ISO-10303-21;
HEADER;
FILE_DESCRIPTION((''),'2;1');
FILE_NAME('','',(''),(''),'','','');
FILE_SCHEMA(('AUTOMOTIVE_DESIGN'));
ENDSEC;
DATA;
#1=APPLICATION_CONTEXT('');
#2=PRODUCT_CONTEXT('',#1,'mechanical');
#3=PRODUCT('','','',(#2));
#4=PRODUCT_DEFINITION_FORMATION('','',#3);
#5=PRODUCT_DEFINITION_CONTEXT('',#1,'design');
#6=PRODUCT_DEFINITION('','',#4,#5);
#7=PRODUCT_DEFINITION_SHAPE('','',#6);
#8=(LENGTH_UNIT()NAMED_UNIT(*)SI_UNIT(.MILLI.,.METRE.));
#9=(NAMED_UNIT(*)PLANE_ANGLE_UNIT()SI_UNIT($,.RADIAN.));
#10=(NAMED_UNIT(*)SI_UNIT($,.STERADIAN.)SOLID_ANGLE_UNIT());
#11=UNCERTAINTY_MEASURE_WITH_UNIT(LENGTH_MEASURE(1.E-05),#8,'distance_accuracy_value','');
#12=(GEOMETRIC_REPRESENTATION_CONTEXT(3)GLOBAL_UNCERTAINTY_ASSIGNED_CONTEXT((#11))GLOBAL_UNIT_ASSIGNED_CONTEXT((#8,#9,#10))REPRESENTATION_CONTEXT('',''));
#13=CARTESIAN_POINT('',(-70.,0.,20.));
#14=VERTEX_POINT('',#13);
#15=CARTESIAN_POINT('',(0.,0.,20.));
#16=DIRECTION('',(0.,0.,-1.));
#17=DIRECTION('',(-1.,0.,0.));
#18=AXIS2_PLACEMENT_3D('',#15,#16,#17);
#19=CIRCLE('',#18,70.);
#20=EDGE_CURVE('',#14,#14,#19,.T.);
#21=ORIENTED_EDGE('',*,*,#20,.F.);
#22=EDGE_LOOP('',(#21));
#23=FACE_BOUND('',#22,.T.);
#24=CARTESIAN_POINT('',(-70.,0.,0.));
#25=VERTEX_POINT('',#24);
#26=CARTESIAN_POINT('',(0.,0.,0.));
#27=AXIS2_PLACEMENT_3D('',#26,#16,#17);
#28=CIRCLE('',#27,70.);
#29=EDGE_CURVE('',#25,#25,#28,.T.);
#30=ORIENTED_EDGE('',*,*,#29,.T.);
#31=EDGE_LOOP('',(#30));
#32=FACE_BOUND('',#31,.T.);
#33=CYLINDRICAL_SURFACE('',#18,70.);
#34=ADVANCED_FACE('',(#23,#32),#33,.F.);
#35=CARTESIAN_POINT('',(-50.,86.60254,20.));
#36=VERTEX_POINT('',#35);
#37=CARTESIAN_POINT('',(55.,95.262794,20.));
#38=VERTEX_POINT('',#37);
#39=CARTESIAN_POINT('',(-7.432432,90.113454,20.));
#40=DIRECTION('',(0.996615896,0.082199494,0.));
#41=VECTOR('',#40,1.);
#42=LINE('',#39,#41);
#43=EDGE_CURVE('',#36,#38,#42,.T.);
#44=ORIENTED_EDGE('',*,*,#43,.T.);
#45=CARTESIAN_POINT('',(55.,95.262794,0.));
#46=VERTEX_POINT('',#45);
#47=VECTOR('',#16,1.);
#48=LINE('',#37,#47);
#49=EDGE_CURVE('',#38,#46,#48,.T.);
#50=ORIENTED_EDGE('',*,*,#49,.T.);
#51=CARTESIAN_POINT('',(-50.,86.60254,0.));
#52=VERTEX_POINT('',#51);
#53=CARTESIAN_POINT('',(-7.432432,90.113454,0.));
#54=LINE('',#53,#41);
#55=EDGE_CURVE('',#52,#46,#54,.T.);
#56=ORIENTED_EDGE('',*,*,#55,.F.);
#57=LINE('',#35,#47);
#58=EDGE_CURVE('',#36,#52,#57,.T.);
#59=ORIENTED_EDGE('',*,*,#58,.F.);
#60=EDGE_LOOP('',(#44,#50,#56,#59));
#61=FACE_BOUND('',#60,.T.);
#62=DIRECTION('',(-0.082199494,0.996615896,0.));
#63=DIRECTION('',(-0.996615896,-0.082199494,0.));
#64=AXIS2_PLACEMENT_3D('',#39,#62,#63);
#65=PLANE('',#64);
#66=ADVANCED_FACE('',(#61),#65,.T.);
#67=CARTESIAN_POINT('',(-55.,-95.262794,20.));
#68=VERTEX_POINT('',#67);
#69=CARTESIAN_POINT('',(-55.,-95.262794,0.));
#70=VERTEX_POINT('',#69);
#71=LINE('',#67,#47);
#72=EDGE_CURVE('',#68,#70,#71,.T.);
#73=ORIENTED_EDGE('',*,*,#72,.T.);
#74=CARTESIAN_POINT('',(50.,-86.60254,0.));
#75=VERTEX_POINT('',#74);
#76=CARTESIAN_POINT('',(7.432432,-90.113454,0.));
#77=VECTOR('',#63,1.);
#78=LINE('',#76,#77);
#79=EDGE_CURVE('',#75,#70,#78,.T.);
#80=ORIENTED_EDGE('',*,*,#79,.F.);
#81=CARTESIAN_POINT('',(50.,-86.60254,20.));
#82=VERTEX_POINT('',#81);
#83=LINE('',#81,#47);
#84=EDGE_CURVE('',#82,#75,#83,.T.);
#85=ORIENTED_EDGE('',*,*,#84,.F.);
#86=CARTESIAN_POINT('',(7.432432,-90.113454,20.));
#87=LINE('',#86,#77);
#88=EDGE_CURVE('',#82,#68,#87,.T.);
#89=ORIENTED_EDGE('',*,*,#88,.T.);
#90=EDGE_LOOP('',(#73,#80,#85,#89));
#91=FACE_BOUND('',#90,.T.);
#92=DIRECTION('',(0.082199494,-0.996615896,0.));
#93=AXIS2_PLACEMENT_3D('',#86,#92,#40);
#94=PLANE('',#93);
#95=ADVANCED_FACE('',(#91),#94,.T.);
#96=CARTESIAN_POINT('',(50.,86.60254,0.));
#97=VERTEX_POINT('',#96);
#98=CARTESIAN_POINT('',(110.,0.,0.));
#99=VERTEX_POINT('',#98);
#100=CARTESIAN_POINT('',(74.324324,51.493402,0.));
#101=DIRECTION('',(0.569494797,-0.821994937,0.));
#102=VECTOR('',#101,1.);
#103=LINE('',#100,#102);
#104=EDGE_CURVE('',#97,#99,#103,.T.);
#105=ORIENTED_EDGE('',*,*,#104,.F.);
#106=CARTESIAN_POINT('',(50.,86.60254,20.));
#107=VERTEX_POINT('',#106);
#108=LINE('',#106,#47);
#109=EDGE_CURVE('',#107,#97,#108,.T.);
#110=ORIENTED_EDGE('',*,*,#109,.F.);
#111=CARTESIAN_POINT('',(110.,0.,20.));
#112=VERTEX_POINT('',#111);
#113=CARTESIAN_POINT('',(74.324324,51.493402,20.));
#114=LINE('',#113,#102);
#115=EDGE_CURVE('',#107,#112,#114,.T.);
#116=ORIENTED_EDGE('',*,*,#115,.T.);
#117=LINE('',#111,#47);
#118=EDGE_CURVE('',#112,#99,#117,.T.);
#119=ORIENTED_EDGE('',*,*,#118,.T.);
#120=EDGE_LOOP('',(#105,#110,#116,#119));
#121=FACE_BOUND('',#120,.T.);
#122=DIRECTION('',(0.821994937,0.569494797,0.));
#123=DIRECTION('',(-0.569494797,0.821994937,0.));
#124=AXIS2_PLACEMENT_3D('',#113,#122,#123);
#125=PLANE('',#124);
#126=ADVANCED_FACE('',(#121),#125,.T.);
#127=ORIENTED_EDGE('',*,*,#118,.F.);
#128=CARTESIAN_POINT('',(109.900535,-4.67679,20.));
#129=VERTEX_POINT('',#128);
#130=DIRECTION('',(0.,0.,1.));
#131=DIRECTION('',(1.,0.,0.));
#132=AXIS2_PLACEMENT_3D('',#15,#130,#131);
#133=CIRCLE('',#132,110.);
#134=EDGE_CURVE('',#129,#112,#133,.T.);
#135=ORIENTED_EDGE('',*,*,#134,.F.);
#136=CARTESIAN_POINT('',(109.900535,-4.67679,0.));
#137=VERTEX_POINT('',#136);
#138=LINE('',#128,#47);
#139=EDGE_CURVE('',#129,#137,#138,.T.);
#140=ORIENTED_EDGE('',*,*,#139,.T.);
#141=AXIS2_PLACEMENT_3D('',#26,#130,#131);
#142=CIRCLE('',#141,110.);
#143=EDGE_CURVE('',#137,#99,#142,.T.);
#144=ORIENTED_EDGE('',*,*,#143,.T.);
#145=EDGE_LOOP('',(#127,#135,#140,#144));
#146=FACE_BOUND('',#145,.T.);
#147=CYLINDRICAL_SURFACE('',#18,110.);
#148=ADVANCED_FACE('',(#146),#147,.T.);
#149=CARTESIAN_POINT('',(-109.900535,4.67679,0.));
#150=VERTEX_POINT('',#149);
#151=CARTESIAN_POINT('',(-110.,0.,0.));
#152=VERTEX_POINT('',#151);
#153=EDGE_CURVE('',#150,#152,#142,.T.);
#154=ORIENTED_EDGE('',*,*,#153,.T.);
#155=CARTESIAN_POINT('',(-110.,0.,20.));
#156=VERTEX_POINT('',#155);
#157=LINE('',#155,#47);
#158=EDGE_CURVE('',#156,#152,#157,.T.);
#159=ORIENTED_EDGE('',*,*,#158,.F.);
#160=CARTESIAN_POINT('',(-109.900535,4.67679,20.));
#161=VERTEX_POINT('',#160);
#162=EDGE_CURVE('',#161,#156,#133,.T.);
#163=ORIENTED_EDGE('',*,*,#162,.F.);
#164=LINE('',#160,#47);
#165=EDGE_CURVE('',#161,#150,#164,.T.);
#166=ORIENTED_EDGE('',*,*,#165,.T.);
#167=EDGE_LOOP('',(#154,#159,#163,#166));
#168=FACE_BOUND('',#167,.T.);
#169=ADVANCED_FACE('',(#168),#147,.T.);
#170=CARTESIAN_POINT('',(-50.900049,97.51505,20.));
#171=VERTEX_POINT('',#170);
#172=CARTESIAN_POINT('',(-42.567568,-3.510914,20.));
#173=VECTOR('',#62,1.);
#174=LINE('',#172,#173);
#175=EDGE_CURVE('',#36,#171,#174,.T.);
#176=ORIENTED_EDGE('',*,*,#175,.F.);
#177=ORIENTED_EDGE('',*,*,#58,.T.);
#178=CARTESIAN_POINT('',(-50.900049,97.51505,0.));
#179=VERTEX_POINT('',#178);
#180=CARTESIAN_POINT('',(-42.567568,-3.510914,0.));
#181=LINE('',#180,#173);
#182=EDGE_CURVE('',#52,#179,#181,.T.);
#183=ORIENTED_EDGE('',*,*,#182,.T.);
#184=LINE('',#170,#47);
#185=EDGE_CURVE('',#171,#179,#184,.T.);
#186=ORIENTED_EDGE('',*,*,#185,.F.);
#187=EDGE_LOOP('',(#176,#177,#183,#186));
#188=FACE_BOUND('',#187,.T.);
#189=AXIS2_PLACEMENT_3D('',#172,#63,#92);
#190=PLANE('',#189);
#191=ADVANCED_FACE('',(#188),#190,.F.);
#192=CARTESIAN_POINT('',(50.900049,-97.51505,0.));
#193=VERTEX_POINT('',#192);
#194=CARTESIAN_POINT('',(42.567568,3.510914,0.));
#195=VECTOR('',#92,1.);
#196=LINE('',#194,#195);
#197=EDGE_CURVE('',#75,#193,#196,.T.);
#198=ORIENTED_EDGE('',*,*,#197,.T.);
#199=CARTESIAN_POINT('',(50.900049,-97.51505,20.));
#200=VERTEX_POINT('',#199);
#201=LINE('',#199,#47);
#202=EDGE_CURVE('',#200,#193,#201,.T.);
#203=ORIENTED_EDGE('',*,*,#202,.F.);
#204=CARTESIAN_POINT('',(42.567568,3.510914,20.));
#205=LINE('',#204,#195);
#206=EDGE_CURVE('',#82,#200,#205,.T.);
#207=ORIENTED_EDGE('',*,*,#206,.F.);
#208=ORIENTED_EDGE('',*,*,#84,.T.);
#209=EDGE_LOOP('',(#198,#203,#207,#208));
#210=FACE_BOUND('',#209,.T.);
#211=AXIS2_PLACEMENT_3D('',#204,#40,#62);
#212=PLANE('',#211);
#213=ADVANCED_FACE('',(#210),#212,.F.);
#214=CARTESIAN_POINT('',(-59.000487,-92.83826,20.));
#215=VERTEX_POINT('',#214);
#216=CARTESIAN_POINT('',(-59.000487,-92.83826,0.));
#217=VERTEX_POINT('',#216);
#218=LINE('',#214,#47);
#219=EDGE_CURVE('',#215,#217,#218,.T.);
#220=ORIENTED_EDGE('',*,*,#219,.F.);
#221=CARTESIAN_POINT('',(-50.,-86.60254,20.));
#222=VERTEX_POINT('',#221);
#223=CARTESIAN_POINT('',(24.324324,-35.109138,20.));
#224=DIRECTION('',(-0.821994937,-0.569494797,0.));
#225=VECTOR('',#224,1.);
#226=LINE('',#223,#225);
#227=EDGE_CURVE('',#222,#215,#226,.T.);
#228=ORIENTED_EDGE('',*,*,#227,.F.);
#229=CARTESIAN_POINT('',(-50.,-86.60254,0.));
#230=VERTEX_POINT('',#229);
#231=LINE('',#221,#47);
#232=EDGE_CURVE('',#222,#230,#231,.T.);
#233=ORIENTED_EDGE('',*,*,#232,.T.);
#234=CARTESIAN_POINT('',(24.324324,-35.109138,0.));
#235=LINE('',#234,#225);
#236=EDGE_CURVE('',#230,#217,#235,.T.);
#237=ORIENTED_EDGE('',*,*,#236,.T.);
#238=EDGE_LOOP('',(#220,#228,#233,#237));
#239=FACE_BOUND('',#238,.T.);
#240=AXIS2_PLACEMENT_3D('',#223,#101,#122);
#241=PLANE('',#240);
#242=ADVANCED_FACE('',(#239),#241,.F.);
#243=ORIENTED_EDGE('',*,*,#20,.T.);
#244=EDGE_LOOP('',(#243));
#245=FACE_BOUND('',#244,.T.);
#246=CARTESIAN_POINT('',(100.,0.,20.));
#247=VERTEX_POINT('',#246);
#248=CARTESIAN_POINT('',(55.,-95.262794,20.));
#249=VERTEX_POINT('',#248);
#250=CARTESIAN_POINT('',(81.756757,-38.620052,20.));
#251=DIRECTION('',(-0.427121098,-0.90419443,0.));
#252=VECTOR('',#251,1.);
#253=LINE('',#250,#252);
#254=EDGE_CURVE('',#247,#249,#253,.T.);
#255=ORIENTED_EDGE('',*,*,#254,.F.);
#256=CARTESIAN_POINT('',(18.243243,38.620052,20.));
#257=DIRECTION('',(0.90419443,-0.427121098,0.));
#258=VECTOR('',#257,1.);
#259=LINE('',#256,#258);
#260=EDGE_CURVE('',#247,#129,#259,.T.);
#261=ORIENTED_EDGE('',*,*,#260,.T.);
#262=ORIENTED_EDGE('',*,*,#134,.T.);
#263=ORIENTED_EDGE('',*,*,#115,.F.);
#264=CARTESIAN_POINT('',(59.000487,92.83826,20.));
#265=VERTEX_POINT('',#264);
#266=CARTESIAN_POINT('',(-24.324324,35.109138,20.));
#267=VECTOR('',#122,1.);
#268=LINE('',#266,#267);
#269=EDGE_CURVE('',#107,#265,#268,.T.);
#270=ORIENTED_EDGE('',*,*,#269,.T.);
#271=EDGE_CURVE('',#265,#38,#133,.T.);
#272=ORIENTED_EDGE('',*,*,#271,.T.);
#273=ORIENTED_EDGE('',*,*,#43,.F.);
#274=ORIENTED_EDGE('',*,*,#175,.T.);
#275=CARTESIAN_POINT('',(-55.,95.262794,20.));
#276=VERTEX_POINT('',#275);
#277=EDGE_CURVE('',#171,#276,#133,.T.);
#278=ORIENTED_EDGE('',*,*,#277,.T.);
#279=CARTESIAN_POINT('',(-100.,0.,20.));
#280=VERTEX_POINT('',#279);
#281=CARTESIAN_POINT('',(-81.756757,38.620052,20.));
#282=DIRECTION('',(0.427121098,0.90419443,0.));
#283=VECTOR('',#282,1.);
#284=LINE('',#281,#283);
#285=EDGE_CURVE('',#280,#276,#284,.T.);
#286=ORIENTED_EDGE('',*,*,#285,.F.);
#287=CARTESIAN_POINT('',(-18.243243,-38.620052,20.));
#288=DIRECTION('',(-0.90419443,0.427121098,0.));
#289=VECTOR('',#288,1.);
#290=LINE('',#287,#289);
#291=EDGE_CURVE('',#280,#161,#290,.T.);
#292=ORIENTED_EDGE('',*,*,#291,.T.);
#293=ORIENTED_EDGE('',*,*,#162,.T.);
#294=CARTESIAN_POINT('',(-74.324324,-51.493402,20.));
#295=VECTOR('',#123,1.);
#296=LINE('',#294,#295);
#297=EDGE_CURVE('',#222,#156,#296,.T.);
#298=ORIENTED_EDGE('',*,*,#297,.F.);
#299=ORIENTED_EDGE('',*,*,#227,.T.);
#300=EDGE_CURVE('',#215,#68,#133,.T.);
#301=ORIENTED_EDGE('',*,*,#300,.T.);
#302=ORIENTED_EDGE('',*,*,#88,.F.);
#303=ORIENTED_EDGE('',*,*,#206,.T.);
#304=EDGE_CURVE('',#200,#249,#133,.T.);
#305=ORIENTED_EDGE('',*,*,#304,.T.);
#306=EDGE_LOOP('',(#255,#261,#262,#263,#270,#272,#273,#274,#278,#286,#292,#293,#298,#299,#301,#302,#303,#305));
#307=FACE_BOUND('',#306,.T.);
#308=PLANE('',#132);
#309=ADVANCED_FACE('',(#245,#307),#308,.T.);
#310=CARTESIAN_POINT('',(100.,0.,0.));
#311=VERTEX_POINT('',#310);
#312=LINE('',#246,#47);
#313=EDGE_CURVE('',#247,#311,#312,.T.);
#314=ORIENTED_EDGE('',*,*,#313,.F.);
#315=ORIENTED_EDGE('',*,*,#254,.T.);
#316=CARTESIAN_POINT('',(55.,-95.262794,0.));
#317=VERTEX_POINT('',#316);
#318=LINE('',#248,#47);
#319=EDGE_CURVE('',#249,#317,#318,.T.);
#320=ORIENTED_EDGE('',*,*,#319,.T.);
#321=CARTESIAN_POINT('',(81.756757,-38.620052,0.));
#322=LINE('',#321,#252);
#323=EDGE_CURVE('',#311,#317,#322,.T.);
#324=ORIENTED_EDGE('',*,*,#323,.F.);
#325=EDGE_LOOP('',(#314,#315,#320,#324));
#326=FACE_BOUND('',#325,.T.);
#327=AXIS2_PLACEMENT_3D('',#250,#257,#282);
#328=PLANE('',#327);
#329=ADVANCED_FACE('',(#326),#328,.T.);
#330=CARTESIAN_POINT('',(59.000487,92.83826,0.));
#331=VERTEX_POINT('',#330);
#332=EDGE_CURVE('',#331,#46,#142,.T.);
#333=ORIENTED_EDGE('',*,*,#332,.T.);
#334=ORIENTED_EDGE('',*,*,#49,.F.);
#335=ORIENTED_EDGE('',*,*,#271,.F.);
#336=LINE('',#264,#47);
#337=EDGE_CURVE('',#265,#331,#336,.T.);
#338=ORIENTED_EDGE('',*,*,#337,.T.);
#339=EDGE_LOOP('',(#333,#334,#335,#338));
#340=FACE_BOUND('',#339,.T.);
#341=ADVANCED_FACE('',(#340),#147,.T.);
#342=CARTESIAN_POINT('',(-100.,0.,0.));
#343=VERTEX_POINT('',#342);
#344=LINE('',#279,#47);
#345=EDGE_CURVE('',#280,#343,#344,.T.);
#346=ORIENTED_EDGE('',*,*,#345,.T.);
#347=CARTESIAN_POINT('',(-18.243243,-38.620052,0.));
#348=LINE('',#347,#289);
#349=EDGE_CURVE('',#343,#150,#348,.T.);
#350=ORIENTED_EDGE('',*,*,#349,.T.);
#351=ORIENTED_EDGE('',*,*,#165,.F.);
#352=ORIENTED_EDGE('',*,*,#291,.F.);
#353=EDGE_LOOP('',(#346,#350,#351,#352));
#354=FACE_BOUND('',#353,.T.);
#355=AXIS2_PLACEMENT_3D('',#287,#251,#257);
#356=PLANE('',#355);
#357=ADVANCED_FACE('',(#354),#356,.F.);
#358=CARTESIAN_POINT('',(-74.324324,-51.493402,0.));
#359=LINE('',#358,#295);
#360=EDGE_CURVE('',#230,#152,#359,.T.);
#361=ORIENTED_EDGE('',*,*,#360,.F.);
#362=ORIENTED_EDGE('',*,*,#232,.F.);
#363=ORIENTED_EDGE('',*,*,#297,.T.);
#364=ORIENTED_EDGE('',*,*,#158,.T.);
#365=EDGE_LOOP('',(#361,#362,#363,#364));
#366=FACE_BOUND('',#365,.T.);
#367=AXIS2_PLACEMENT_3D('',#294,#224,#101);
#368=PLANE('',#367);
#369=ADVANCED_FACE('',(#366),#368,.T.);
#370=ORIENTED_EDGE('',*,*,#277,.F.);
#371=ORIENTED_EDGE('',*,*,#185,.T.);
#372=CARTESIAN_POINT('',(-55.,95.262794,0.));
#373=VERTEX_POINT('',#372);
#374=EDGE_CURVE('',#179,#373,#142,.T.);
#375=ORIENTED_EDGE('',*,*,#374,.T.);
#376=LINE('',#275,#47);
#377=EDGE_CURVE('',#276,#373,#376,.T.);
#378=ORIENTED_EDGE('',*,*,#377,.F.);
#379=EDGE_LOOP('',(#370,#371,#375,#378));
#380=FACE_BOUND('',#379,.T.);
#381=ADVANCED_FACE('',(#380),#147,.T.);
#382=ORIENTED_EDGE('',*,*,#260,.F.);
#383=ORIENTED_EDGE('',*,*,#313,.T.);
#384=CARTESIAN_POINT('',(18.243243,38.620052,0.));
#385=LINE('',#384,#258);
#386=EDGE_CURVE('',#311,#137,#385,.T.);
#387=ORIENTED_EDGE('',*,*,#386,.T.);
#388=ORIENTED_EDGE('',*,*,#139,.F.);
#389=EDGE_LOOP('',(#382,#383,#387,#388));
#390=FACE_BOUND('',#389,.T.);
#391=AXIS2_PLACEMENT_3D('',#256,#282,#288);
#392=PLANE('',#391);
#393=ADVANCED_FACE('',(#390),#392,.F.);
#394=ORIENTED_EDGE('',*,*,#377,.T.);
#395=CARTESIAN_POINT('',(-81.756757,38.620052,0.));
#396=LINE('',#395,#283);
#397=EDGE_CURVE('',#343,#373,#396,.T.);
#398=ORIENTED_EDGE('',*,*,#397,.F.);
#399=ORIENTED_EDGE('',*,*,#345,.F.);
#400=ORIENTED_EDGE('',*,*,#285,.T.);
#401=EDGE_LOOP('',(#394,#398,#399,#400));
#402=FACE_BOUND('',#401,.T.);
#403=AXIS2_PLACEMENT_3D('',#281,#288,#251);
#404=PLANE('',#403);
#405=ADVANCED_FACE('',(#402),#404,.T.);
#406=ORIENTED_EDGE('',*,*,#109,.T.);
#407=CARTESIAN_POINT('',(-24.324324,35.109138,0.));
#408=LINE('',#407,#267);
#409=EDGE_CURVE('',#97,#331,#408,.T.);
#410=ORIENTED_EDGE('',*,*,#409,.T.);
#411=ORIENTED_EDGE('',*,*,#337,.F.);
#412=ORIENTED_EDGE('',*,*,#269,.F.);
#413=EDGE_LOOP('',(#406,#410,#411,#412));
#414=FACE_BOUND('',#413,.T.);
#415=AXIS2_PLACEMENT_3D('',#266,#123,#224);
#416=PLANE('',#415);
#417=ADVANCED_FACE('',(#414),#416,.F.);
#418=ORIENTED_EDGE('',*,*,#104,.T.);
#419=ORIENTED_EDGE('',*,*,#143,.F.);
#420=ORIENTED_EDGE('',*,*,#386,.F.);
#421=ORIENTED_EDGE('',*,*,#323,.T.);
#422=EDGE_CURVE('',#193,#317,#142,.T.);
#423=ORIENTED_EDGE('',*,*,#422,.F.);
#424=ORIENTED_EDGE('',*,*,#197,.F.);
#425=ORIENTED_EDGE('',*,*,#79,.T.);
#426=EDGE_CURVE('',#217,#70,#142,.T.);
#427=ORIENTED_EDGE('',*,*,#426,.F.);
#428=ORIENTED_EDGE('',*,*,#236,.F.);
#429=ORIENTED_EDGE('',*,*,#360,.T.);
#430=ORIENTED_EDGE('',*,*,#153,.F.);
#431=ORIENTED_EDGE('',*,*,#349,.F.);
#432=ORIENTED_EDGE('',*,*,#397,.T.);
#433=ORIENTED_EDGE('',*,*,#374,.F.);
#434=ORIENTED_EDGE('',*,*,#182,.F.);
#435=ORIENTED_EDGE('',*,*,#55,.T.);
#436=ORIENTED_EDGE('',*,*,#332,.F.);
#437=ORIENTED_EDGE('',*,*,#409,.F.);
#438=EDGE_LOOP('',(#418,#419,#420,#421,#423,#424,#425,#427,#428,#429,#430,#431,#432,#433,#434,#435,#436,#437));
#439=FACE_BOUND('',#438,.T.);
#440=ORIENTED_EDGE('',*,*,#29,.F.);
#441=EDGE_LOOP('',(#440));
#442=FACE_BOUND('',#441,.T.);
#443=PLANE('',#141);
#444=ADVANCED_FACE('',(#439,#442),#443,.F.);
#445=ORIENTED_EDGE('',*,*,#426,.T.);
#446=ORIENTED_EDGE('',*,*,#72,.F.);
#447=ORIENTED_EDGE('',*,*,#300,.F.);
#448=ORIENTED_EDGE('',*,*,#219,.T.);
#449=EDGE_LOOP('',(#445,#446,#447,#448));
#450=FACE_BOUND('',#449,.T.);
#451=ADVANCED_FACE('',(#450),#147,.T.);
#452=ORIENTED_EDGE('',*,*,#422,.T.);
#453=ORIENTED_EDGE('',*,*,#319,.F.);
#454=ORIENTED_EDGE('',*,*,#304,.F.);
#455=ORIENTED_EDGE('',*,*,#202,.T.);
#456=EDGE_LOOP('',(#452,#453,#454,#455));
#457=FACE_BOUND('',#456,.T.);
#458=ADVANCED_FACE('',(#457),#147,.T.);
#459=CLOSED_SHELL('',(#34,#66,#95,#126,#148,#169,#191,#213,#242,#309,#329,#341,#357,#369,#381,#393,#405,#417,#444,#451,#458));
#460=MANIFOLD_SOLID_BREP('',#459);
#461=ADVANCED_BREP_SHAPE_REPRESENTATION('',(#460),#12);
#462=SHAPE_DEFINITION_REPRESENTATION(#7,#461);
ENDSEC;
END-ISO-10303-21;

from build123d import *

# Parameters (mm, degrees)
BOSS_EXTRUDE1_DEPTH = 20
SKETCH7_R           = 70
CUT_EXTRUDE1_DEPTH  = 149.354929298


with BuildPart() as part:
    # Sketch4 → Boss-Extrude1 (new body)
    with BuildSketch(Plane.XY):
        Polygon((-50, -86.602540378), (50, -86.602540378), (100, 0), (50, 86.602540378), (-50, 86.602540378), (-100, 0), align=None)
        Polygon((-50, -86.602540378), (-110, 0), (-100, 0), align=None)
        Polygon((-100, 0), (-55, 95.262794416), (-50, 86.602540378), align=None)
        Polygon((-50, 86.602540378), (55, 95.262794416), (50, 86.602540378), align=None)
        Polygon((50, 86.602540378), (110, 0), (100, 0), align=None)
        Polygon((100, 0), (55, -95.262794416), (50, -86.602540378), align=None)
        Polygon((50, -86.602540378), (-55, -95.262794416), (-50, -86.602540378), align=None)
        with BuildLine():
            Line((-55, 95.262794416), (-50, 86.602540378))
            Line((-50, 86.602540378), (-50.900048654, 97.515050362))
            ThreePointArc((-50.900048654, 97.515050362), (-52.961998078, 96.410719111), (-55, 95.262794416))
        make_face()
        with BuildLine():
            Line((55, 95.262794416), (50, 86.602540378))
            Line((50, 86.602540378), (59.000486538, 92.838260369))
            ThreePointArc((59.000486538, 92.838260369), (57.013132909, 94.071795327), (55, 95.262794416))
        make_face()
        with BuildLine():
            Line((110, 0), (100, 0))
            Line((100, 0), (109.900535191, -4.676789993))
            ThreePointArc((109.900535191, -4.676789993), (109.975130987, -2.338923785), (110, 0))
        make_face()
        with BuildLine():
            Line((55, -95.262794416), (50, -86.602540378))
            Line((50, -86.602540378), (50.900048654, -97.515050362))
            ThreePointArc((50.900048654, -97.515050362), (52.961998078, -96.410719111), (55, -95.262794416))
        make_face()
        with BuildLine():
            Line((-55, -95.262794416), (-50, -86.602540378))
            Line((-50, -86.602540378), (-59.000486538, -92.838260369))
            ThreePointArc((-59.000486538, -92.838260369), (-57.013132909, -94.071795327), (-55, -95.262794416))
        make_face()
        with BuildLine():
            Line((-110, 0), (-100, 0))
            Line((-100, 0), (-109.900535191, 4.676789993))
            ThreePointArc((-109.900535191, 4.676789993), (-109.975130987, 2.338923785), (-110, 0))
        make_face()
    extrude(amount=BOSS_EXTRUDE1_DEPTH)

    # Sketch7 → Cut-Extrude1 (cut, through all)
    with BuildSketch(Plane(origin=(0, 0, 0), x_dir=(-1, 0, 0), z_dir=(0, 0, -1))):
        Circle(SKETCH7_R)
    extrude(amount=-CUT_EXTRUDE1_DEPTH, mode=Mode.SUBTRACT)


solid = part.part
